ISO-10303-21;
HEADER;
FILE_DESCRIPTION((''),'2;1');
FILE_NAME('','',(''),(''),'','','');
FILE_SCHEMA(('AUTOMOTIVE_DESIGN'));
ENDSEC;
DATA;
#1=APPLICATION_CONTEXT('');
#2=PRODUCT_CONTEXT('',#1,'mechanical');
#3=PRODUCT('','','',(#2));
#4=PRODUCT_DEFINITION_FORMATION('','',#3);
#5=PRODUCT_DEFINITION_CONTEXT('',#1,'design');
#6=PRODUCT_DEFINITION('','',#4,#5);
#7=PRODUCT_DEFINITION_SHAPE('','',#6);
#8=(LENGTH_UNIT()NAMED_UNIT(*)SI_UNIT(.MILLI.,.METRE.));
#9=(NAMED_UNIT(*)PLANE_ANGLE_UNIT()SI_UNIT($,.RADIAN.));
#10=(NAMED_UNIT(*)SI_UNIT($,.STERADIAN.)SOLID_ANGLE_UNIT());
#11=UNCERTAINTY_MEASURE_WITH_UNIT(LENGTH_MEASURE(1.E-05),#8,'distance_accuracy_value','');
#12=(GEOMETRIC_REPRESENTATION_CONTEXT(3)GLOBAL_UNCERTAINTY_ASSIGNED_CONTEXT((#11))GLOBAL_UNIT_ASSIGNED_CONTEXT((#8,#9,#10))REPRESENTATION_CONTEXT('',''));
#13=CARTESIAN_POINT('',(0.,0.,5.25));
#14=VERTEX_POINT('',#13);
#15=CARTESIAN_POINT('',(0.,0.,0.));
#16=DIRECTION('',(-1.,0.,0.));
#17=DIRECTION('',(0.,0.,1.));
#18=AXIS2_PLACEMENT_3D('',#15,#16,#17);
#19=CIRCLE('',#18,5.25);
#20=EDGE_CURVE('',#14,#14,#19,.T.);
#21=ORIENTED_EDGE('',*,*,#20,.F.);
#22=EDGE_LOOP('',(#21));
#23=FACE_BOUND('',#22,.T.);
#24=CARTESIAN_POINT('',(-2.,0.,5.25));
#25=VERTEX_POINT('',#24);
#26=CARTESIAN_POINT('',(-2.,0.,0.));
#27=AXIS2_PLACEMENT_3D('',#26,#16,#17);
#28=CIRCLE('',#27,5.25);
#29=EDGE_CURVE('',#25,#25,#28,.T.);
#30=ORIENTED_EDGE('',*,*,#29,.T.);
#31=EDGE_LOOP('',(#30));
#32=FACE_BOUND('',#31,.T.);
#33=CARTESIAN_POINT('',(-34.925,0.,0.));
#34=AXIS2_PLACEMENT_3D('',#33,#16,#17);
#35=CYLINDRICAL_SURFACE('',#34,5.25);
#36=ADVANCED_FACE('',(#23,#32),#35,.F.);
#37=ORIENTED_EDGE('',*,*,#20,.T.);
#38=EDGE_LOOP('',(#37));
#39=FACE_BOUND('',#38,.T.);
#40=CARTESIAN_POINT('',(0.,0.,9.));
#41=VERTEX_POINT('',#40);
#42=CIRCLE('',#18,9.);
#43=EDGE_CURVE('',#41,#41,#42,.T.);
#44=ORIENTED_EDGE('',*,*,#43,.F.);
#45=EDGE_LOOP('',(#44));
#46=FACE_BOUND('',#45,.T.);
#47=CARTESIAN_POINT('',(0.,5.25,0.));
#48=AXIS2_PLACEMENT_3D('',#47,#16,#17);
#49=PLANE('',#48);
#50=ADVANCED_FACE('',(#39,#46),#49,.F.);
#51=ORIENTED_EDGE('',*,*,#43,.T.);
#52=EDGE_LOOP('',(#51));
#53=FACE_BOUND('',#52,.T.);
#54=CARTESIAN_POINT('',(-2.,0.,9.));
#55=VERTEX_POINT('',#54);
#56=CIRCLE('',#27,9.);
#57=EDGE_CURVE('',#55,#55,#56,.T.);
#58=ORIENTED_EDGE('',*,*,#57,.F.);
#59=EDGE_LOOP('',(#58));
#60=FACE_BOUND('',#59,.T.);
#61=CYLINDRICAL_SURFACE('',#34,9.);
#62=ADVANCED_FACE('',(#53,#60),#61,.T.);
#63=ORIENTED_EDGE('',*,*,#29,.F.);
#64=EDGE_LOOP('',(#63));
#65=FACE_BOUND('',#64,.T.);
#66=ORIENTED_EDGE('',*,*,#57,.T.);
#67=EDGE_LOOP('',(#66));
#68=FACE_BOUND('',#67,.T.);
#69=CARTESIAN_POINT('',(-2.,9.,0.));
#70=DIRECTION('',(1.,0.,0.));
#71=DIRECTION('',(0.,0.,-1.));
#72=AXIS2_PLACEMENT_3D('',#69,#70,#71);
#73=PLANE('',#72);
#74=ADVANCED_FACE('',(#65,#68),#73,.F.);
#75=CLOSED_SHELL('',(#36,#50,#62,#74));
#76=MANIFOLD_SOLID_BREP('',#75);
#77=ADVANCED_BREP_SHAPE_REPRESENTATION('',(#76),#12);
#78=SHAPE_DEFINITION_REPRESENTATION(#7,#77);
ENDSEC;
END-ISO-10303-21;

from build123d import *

# Parameters (mm, degrees)
SKETCH1_W = 2
SKETCH1_H = 3.75


with BuildPart() as part:
    # Sketch1 → Base-Revolve (revolve)
    with BuildSketch(Plane.XY):
        with Locations((-1, 7.125)):
            Rectangle(SKETCH1_W, SKETCH1_H)
    revolve(axis=Axis((-34.925, 0, 0), (1, 0, 0)))


solid = part.part
